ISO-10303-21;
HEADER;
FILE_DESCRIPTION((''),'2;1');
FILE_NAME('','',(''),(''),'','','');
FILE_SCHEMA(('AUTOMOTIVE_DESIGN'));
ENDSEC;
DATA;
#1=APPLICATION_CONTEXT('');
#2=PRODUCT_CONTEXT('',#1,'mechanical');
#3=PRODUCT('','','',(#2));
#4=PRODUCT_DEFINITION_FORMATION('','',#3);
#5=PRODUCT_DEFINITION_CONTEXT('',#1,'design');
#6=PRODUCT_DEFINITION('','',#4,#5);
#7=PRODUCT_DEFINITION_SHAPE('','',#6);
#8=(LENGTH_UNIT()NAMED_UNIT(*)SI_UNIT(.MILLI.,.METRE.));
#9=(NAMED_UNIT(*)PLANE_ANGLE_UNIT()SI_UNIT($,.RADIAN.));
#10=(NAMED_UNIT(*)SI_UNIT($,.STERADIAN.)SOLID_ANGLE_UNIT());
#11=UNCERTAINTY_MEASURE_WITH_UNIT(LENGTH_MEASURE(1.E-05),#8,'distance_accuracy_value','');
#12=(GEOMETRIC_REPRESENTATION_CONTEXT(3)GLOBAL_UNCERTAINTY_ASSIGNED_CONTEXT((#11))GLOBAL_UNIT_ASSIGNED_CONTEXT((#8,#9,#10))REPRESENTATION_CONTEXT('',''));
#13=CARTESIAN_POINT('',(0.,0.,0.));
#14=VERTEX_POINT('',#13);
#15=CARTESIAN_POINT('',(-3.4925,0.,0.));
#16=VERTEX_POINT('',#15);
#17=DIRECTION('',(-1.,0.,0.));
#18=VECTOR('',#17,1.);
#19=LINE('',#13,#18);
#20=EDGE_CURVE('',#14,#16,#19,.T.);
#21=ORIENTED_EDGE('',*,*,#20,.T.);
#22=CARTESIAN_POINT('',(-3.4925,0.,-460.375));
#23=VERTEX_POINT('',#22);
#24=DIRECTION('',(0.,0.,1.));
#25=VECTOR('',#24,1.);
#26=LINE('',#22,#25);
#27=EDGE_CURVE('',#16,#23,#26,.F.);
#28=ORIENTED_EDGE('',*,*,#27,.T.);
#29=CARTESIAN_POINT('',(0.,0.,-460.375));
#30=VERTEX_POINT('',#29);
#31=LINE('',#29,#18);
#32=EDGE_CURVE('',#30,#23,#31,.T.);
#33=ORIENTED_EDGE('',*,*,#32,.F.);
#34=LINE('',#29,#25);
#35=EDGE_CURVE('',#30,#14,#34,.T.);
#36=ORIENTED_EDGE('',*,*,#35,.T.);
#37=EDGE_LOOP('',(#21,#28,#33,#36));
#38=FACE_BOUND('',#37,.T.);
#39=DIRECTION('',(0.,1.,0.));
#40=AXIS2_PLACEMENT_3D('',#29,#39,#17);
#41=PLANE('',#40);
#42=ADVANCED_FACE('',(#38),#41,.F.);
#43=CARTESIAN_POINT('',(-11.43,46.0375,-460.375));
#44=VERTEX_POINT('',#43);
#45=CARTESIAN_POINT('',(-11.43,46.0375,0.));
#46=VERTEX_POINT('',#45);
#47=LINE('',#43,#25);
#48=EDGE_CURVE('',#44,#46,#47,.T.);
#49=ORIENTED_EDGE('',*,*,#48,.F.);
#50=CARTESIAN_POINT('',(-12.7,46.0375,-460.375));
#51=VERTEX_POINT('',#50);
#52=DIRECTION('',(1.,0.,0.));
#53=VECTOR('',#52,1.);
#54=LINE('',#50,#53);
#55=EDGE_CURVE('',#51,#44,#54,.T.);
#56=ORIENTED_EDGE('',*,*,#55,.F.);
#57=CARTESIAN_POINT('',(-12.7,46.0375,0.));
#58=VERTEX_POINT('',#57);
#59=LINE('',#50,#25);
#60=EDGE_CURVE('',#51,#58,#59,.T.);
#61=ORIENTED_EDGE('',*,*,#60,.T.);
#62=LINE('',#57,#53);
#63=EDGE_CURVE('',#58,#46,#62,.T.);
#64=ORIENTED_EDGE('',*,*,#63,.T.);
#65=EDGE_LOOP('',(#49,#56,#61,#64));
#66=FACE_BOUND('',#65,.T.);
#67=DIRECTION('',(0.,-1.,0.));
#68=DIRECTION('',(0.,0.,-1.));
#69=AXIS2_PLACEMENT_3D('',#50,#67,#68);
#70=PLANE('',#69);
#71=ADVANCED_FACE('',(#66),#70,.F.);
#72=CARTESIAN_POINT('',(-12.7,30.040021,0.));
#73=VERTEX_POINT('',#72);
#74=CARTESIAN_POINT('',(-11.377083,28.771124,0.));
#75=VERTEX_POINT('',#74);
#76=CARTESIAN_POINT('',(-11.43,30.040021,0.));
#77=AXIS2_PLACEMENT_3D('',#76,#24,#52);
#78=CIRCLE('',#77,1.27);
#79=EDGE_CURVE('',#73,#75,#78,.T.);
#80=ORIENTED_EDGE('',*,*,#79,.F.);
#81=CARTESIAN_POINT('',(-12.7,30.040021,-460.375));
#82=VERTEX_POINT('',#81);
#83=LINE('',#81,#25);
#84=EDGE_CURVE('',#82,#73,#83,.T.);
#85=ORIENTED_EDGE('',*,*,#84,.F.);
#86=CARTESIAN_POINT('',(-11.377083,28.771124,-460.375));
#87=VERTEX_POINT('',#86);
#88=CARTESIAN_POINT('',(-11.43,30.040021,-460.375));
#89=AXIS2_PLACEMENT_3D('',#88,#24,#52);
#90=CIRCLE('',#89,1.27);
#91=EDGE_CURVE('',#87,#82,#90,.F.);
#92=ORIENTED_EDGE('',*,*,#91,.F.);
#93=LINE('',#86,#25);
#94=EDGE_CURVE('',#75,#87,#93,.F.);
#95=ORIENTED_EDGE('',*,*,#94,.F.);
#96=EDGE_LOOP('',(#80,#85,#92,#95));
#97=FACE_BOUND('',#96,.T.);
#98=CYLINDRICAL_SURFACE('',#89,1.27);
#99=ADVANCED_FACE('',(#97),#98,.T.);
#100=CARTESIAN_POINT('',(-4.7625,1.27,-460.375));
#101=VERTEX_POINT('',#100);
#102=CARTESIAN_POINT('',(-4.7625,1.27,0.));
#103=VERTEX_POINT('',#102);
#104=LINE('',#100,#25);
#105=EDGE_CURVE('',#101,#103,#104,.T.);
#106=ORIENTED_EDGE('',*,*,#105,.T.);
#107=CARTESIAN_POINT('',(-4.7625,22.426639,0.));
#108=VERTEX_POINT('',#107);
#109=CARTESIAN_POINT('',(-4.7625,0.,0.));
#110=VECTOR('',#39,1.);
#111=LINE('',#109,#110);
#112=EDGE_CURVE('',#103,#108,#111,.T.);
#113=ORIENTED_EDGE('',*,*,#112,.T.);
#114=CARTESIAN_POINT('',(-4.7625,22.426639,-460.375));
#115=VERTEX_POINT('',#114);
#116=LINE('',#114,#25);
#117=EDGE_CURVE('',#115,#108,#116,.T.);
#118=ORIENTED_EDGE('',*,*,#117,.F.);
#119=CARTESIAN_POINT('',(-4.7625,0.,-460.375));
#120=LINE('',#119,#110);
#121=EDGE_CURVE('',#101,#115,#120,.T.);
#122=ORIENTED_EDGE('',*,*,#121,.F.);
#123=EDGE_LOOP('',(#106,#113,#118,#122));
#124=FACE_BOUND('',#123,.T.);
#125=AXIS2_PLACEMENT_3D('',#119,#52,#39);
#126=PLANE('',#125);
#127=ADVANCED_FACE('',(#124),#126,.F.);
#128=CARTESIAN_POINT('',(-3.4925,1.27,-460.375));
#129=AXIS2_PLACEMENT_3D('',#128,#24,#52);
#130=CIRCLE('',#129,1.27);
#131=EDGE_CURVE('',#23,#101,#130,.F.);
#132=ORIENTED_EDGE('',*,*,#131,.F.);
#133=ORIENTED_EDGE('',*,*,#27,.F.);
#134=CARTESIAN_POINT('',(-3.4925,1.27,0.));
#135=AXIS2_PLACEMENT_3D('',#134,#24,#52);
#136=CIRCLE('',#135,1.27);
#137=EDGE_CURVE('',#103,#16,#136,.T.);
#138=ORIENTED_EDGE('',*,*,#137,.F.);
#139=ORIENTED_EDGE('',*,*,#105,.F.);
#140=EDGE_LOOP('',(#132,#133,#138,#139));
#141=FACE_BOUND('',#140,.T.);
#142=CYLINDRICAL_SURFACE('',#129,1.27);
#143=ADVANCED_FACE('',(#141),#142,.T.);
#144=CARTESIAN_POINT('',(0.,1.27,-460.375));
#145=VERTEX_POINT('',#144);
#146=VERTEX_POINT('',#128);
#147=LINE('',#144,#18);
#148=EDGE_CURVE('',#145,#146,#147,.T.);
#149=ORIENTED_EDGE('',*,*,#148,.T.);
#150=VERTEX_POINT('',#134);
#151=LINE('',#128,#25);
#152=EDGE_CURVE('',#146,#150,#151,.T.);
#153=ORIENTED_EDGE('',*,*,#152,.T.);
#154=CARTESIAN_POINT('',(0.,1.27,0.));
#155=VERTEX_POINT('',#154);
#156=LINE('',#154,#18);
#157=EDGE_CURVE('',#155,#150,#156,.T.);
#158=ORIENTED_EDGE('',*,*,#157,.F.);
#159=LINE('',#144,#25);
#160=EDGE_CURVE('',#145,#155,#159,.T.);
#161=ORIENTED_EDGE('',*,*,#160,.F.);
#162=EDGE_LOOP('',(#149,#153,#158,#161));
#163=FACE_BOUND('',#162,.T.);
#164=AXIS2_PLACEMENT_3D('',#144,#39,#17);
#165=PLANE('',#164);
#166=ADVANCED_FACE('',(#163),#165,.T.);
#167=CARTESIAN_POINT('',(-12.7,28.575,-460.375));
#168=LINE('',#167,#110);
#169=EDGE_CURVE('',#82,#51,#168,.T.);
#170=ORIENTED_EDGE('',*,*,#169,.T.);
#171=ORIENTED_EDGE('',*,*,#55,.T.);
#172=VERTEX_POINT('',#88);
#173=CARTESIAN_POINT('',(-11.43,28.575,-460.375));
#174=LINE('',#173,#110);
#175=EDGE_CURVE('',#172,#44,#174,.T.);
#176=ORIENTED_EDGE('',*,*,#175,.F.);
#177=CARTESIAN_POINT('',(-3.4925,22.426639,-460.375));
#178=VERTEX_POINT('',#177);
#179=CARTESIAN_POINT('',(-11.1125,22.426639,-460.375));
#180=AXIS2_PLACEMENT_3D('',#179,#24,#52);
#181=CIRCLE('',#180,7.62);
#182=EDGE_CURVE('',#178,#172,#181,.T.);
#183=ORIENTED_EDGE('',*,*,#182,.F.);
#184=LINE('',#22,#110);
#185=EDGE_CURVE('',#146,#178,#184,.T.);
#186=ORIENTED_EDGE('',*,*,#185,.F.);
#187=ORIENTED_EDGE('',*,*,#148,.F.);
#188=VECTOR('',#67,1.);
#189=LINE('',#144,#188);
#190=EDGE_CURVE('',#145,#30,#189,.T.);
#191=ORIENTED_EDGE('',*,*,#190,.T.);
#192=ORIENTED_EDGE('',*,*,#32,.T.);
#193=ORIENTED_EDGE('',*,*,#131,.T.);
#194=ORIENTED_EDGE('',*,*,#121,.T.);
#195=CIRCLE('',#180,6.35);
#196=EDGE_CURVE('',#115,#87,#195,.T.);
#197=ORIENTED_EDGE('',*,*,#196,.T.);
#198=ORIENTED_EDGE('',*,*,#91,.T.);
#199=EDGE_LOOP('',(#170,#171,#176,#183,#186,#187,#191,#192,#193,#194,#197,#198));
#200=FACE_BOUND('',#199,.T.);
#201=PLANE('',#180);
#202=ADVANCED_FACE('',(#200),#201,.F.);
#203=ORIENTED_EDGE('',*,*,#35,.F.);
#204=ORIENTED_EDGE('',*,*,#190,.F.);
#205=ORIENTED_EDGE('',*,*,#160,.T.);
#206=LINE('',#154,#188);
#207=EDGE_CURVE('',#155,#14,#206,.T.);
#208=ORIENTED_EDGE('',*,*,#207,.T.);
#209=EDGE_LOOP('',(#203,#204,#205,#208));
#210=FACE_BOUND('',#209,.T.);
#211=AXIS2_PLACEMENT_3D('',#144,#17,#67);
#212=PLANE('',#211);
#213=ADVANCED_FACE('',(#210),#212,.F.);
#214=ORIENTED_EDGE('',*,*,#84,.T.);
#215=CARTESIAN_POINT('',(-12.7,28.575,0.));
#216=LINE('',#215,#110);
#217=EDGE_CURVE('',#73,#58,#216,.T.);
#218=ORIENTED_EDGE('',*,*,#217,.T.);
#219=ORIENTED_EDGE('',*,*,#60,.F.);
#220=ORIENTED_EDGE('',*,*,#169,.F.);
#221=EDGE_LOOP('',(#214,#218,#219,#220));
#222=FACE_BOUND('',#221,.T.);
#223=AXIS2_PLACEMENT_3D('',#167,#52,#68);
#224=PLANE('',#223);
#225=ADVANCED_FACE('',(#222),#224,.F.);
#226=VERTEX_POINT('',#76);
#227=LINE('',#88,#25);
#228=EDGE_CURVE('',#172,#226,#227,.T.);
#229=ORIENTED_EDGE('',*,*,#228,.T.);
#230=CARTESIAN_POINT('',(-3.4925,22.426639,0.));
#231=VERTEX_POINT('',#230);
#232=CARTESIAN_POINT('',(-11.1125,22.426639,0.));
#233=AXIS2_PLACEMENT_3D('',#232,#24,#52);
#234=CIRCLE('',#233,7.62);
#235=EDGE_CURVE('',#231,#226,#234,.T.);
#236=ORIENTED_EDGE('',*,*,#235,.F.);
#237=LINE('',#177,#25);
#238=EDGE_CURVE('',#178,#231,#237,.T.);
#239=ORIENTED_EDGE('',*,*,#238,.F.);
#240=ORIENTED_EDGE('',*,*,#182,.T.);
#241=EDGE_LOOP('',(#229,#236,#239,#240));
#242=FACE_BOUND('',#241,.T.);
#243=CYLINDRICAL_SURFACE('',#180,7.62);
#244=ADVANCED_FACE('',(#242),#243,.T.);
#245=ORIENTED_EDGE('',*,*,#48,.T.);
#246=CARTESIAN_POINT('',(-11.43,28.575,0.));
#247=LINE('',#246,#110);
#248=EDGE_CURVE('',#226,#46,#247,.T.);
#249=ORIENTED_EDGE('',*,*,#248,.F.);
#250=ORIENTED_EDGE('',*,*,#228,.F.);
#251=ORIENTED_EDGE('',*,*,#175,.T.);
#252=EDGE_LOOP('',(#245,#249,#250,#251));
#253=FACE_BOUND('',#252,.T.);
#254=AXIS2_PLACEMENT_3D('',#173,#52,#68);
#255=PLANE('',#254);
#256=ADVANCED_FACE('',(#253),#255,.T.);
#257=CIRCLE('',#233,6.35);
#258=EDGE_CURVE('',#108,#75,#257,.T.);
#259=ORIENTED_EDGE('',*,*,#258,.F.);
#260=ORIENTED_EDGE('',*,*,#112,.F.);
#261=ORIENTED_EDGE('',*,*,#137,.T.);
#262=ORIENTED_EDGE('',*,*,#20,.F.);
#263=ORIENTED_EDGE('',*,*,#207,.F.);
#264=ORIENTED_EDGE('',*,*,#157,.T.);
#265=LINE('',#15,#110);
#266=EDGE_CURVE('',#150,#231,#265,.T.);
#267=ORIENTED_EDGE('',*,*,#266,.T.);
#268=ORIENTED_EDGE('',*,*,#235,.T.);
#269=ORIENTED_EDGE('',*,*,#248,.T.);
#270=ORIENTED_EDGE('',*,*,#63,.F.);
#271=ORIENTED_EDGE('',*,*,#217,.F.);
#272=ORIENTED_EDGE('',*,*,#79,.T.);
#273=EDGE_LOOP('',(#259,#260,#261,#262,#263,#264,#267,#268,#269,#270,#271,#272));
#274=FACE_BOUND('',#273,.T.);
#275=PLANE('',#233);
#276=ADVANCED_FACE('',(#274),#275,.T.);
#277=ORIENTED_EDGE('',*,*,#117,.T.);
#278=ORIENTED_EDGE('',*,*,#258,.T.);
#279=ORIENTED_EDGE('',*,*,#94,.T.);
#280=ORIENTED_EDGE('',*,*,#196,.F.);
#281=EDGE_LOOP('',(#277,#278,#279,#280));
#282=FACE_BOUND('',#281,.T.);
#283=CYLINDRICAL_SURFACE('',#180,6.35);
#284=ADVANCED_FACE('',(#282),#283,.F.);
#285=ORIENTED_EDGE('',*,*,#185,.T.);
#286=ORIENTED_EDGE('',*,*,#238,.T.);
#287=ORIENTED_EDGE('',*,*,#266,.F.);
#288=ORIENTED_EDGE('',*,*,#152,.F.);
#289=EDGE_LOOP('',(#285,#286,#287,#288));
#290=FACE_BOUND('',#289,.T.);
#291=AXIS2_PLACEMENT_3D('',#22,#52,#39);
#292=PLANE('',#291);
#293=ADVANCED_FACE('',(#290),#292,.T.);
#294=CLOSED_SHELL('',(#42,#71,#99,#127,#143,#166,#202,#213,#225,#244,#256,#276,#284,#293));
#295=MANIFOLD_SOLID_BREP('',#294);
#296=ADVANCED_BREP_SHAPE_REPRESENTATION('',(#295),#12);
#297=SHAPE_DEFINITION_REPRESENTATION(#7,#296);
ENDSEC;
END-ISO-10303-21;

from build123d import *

# Parameters (mm, degrees)
EXTRUDE_THIN1_DEPTH = 460.375
FILLET1_R           = 1.27


with BuildPart() as part:
    # Sketch1 → Extrude-Thin1 (new body)
    with BuildSketch(Plane.XY):
        with BuildLine():
            Line((0, 0), (-4.7625, 0))
            Line((-4.7625, 0), (-4.7625, 22.426638938))
            ThreePointArc((-4.7625, 22.426638938), (-7.223935033, 27.446754723), (-12.7, 28.575))
            Line((-12.7, 28.575), (-12.7, 46.0375))
            Line((-12.7, 46.0375), (-11.43, 46.0375))
            Line((-11.43, 46.0375), (-11.43, 30.040021481))
            ThreePointArc((-11.43, 30.040021481), (-5.837793847, 27.925900252), (-3.4925, 22.426638938))
            Line((-3.4925, 22.426638938), (-3.4925, 1.27))
            Line((-3.4925, 1.27), (0, 1.27))
            Line((0, 1.27), (0, 0))
        make_face()
    extrude(amount=-EXTRUDE_THIN1_DEPTH)

    # Fillet1
    fillet1_edges = [part.edges().sort_by_distance(p)[0] for p in [
        (-4.7625, 0, -230.1875),
        (-12.7, 28.575, -230.1875),
    ]]
    fillet(fillet1_edges, radius=FILLET1_R)


solid = part.part
